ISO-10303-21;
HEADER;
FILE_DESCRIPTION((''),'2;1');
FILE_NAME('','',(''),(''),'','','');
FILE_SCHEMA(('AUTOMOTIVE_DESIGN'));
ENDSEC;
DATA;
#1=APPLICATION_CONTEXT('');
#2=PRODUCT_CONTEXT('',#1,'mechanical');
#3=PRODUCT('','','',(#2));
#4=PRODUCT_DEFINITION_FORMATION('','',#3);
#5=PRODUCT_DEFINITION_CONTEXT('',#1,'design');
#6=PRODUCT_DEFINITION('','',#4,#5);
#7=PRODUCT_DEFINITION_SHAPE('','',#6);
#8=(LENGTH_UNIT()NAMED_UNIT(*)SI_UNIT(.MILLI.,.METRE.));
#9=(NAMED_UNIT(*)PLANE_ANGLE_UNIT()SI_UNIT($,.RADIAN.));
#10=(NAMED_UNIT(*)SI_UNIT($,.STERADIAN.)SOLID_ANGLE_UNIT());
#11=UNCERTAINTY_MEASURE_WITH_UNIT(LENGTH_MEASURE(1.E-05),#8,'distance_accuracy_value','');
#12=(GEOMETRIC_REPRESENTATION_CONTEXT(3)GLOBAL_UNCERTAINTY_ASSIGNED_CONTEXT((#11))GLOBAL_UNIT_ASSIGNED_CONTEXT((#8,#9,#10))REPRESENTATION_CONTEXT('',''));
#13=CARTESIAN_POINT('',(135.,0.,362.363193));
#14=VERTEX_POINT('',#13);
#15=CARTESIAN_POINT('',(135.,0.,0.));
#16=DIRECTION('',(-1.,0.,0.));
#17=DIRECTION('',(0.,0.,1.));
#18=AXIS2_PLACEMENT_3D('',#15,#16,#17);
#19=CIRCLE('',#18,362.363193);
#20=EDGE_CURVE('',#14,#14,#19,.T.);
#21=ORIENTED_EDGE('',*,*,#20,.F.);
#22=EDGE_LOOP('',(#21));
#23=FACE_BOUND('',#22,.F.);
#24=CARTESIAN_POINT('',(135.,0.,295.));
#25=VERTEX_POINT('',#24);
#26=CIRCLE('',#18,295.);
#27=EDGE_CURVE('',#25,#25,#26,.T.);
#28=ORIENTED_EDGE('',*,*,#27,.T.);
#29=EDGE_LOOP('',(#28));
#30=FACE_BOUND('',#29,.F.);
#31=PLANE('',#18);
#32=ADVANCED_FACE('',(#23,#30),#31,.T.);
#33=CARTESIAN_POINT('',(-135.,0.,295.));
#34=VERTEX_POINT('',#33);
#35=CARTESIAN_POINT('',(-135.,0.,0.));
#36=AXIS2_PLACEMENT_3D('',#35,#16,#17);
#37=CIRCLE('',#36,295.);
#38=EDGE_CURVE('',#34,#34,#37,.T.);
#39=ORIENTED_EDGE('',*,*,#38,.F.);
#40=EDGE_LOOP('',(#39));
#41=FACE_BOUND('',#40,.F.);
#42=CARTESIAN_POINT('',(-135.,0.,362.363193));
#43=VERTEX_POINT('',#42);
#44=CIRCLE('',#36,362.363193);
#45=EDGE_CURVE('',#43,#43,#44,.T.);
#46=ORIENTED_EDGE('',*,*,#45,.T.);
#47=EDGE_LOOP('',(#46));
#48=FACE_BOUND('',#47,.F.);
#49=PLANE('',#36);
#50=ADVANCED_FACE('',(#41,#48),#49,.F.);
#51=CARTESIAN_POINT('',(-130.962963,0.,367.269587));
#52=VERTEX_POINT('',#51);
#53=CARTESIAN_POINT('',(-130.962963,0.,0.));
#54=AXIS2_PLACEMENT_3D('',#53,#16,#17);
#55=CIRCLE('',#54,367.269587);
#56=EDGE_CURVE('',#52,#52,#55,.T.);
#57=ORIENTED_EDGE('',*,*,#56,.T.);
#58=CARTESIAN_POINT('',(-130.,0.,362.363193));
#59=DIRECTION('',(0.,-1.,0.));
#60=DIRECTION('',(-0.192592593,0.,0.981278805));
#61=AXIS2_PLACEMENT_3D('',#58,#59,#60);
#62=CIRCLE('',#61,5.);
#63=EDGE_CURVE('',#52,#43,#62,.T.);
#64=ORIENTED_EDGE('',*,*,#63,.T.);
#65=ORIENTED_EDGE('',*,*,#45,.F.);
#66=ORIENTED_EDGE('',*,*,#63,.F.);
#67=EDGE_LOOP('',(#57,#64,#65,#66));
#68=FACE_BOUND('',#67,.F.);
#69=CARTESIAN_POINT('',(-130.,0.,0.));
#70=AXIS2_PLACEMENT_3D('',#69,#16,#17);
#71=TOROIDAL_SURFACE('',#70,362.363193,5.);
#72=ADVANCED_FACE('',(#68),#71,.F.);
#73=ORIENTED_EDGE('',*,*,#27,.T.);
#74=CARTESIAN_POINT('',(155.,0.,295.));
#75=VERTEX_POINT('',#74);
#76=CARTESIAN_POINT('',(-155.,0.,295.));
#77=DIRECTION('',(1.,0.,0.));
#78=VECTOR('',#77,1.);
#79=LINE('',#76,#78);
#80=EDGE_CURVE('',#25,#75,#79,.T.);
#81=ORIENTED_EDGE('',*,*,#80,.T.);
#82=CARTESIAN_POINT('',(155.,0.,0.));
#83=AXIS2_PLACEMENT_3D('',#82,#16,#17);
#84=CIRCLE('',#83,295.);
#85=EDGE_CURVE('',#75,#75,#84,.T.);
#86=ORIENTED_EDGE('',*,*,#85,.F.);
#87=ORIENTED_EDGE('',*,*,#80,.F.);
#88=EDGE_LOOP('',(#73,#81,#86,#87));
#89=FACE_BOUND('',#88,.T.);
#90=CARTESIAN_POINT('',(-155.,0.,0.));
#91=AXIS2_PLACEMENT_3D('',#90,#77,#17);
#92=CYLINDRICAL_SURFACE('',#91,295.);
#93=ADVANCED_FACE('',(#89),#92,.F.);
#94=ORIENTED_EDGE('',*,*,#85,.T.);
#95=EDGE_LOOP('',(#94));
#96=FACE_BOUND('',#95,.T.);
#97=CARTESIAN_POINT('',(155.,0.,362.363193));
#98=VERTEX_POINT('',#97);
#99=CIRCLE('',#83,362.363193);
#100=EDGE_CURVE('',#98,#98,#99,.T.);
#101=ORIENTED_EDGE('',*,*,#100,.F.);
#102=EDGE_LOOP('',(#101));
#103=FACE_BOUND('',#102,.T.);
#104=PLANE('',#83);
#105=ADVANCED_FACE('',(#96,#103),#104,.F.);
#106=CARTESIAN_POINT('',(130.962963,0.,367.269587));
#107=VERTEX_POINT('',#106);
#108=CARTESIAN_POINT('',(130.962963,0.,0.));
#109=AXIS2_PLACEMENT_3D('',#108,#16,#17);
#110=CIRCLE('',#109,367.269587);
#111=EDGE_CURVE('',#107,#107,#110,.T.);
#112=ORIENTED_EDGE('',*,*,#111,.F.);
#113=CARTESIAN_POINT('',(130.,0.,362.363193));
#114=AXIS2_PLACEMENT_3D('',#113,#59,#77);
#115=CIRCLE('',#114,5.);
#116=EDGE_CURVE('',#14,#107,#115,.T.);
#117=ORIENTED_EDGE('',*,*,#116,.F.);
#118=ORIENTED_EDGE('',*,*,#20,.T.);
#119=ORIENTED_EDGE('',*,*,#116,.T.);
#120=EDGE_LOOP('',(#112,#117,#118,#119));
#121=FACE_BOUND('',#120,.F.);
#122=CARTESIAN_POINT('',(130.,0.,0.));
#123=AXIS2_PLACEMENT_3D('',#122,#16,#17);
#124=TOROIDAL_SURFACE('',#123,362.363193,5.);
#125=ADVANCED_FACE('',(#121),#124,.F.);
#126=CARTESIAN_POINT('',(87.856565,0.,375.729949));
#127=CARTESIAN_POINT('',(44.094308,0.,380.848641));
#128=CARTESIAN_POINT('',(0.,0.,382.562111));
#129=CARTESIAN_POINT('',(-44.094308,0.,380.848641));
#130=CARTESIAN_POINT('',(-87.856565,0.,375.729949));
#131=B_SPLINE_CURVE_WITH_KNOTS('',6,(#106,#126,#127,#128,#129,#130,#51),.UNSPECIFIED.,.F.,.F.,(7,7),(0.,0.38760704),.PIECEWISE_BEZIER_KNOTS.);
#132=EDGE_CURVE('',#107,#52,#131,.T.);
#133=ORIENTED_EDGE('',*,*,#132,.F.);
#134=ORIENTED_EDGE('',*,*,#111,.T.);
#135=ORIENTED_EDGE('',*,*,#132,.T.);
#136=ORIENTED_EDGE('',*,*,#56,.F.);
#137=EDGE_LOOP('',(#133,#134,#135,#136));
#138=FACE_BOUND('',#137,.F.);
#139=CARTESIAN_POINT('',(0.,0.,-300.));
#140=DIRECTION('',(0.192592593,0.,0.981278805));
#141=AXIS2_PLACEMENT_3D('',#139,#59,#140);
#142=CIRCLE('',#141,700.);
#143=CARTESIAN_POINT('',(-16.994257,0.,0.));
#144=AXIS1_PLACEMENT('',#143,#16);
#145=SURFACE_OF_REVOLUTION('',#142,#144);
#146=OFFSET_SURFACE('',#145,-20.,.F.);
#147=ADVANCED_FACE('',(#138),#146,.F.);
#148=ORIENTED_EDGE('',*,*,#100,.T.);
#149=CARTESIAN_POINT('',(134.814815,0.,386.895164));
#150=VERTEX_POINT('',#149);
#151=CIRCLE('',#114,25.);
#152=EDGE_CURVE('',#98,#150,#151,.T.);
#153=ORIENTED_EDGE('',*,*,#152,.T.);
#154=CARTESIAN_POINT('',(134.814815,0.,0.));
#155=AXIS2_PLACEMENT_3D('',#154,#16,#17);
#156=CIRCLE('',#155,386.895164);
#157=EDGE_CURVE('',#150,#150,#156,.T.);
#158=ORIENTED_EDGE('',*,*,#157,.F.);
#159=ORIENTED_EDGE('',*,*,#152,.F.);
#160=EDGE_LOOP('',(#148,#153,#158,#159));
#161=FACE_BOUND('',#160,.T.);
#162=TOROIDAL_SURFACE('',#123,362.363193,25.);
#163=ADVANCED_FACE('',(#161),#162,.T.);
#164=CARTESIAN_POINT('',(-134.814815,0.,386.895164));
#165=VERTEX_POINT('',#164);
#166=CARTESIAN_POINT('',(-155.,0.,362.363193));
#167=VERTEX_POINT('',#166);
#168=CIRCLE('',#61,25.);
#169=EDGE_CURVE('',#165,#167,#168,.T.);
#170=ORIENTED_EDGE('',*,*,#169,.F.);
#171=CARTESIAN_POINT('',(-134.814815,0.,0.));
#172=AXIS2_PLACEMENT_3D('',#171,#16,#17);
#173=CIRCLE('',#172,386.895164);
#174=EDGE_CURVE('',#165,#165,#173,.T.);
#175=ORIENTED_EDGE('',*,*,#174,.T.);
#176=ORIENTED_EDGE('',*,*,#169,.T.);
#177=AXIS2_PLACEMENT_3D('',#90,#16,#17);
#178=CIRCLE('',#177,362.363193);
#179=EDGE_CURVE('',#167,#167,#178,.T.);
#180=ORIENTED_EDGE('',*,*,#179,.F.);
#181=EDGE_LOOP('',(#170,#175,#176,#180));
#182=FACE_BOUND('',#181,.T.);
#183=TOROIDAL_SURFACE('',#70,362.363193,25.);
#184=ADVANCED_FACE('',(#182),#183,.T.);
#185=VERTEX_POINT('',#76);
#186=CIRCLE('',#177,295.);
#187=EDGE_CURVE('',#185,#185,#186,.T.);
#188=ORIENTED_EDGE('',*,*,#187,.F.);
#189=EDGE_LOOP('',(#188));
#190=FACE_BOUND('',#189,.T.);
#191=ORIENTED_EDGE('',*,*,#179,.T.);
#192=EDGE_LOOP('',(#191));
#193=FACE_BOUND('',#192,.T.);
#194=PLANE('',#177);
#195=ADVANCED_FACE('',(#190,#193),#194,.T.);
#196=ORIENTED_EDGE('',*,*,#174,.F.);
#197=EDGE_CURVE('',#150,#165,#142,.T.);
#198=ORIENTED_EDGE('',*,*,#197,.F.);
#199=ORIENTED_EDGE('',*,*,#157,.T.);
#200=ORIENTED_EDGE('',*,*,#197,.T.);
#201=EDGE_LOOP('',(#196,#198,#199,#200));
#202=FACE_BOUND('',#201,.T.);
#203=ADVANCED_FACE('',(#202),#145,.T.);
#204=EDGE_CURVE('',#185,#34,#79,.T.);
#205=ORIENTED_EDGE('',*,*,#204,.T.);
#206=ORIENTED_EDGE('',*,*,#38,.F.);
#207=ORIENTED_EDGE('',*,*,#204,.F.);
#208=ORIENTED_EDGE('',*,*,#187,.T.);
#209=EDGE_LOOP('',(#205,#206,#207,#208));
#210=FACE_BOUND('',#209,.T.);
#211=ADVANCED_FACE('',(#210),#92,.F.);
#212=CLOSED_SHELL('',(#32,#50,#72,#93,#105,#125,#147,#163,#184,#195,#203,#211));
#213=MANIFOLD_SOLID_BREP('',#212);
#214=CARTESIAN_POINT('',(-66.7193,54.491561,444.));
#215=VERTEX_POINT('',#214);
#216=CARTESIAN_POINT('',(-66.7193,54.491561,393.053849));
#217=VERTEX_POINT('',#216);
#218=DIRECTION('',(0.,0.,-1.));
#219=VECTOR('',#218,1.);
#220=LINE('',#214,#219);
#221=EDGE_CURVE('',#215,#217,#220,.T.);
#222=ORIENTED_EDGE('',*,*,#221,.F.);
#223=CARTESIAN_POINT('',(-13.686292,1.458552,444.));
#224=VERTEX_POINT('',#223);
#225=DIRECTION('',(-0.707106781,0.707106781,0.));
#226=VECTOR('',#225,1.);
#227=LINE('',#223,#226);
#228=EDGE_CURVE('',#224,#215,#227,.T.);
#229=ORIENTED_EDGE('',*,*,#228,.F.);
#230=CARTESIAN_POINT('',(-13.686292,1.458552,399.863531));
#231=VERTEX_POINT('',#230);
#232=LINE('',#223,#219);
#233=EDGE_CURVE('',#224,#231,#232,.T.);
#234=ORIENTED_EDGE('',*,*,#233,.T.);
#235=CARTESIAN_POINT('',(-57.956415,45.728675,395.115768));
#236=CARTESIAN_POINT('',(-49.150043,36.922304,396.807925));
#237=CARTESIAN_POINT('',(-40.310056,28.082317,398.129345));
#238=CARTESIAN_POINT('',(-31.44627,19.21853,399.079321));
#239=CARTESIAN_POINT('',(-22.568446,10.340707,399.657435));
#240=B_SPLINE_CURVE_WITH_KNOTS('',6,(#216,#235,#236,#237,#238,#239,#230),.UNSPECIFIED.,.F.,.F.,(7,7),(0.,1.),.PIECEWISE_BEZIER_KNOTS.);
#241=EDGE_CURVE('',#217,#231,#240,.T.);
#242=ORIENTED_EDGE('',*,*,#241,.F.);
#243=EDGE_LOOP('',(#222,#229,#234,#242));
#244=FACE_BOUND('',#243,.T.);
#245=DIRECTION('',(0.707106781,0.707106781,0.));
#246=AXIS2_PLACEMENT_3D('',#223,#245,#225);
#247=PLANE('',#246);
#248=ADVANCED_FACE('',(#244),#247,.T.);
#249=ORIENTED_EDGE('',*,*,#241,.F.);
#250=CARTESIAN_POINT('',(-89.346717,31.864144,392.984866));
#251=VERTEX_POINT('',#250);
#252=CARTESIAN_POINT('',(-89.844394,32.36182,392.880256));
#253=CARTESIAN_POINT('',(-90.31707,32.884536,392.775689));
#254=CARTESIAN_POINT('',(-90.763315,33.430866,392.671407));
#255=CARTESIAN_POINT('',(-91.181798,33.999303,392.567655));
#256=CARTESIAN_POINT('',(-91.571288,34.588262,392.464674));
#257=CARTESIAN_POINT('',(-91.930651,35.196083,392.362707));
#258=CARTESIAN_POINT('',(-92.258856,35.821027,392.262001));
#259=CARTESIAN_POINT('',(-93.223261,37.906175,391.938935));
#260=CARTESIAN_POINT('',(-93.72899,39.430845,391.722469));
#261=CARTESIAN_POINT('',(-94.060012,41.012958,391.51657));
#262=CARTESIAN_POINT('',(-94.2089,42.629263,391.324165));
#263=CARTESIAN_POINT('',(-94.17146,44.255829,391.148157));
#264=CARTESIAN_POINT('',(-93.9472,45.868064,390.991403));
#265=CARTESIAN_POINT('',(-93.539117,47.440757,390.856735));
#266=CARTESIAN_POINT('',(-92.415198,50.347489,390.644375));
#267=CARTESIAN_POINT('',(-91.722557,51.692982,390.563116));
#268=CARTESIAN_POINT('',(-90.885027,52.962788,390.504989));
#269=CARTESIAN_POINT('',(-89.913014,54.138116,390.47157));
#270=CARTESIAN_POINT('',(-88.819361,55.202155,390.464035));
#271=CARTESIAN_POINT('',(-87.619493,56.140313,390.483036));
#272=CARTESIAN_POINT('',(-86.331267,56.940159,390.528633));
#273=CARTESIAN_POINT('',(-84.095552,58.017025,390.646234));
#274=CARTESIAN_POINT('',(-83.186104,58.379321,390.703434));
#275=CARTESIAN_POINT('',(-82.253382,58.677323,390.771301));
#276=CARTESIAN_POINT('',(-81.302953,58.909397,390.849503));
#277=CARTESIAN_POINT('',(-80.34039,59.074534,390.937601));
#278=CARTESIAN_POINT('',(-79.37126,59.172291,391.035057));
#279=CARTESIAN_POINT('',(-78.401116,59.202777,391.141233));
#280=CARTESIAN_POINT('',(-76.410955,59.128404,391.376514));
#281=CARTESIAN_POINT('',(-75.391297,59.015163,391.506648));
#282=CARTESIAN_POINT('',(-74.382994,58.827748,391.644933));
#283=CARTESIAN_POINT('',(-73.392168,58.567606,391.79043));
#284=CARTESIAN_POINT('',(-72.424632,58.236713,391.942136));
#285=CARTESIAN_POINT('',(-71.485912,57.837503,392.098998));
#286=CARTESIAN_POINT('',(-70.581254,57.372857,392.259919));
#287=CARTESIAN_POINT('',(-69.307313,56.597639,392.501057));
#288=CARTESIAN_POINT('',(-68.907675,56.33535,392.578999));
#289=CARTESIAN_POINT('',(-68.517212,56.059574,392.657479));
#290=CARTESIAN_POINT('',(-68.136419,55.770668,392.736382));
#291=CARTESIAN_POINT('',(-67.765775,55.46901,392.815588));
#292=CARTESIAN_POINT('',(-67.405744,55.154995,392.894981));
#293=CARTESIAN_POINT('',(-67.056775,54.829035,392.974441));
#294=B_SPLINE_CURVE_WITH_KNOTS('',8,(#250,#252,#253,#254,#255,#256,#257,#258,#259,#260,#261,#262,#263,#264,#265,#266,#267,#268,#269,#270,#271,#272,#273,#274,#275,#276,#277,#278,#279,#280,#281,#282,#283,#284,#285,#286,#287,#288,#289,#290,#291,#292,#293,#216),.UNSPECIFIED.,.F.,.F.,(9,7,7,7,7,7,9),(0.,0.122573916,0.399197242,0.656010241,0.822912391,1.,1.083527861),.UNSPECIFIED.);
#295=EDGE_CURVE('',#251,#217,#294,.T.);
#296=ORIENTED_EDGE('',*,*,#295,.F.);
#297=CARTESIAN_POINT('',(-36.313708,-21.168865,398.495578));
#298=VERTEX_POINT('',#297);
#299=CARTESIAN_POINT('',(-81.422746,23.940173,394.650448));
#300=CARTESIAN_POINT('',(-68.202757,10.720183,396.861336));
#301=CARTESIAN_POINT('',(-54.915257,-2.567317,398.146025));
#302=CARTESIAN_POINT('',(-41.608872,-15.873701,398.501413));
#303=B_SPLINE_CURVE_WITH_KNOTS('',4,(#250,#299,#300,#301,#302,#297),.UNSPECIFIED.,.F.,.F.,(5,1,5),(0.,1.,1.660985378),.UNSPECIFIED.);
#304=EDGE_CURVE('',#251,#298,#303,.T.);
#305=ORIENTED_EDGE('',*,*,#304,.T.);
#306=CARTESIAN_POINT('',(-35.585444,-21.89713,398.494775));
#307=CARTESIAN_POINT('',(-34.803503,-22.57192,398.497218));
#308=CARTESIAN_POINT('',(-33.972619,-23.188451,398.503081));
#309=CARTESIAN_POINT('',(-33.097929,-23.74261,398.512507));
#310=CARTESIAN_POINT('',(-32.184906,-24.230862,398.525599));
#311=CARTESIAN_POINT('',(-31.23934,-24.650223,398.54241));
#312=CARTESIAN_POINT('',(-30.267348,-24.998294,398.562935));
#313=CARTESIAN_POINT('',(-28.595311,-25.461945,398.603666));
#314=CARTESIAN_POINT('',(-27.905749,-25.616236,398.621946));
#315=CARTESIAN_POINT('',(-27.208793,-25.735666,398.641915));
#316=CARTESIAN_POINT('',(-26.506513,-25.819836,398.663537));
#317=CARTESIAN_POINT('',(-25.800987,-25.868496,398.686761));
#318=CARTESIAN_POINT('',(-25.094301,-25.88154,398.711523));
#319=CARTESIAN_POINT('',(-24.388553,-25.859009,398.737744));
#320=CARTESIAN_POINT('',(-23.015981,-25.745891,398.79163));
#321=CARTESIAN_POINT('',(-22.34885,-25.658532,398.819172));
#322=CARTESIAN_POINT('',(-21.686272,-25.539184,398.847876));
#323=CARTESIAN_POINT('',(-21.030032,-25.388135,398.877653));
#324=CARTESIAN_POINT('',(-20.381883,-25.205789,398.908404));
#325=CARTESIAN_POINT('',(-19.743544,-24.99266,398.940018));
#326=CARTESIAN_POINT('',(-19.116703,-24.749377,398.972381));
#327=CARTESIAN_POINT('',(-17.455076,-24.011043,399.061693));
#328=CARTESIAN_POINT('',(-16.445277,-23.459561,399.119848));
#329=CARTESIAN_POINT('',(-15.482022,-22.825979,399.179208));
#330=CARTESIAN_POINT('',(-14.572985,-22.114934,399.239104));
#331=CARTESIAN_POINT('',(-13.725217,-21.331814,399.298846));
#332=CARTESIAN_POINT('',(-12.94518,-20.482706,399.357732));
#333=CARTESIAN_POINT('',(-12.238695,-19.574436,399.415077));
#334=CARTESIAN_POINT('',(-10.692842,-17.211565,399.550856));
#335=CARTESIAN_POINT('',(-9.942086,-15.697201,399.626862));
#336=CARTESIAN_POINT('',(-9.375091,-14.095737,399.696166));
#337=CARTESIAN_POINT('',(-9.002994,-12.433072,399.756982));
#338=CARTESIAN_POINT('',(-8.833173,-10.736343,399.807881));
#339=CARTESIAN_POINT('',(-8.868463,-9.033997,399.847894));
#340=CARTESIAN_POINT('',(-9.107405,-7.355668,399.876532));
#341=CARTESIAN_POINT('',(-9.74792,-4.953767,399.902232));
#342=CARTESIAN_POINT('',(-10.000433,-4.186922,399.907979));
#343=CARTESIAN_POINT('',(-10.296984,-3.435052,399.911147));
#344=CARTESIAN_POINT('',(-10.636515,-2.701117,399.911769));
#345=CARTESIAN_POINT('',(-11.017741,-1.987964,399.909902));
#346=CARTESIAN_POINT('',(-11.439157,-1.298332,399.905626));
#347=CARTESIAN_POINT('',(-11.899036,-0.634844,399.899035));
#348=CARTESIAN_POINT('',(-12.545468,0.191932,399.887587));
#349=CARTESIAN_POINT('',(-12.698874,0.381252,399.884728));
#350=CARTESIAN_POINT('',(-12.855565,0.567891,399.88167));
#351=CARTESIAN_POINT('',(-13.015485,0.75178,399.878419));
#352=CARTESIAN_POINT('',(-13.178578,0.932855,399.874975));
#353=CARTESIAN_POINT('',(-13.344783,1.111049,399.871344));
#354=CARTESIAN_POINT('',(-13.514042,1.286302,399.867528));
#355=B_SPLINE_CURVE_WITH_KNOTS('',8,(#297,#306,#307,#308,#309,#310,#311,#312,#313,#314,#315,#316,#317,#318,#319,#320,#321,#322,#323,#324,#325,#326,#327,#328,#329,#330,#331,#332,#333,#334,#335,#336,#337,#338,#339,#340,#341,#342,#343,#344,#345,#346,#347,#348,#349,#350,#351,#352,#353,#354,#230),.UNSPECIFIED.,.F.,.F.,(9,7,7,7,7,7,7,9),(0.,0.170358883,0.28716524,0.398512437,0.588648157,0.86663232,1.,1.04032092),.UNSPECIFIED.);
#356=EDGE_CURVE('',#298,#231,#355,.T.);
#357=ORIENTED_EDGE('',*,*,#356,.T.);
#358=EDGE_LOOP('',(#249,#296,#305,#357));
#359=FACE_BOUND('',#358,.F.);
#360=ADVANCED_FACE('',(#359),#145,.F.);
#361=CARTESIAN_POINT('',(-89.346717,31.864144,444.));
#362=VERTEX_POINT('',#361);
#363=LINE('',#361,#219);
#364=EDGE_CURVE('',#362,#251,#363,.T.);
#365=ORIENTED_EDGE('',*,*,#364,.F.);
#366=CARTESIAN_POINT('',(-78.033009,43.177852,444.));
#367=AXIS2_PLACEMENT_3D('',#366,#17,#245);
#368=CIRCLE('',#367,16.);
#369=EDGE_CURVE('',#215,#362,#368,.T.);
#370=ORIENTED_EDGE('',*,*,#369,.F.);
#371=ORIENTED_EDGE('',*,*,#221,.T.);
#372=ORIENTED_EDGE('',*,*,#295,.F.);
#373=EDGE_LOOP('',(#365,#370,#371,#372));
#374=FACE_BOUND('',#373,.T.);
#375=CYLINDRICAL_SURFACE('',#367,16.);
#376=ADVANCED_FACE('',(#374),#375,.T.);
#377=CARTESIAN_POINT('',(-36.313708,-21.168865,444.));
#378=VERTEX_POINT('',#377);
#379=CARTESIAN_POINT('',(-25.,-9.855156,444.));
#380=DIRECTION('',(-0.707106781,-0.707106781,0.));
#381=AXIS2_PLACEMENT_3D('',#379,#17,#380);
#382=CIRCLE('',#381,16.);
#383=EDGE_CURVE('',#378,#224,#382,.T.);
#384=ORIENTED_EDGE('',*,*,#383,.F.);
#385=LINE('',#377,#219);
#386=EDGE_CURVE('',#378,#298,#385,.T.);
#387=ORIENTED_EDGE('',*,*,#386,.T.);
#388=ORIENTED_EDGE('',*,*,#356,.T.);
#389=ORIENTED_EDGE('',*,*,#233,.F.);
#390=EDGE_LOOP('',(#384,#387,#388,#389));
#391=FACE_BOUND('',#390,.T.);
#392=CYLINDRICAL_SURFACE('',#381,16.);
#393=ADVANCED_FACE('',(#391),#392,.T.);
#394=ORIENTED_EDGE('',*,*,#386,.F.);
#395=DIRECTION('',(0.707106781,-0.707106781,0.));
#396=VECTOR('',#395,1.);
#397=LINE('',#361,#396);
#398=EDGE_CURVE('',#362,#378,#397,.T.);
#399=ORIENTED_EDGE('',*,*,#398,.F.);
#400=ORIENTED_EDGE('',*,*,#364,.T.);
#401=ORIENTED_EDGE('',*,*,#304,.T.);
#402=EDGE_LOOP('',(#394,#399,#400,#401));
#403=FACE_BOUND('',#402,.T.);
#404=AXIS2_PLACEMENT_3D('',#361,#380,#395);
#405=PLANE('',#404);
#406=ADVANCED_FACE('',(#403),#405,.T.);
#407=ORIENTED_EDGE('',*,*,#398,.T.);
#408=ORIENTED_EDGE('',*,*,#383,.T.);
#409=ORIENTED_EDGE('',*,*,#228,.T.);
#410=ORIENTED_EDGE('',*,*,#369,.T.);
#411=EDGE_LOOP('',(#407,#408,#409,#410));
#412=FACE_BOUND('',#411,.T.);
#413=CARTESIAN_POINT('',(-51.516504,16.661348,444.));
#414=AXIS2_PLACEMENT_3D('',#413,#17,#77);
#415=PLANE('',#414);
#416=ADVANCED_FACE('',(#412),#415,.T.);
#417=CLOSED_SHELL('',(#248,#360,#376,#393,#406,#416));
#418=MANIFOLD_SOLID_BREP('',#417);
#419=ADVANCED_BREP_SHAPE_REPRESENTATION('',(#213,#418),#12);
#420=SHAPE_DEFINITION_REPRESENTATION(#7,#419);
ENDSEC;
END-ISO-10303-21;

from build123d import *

# Parameters (mm, degrees)
F2_T = -20


with BuildPart() as f1:
    # F0 (on Front) → F1 (revolve)
    with BuildSketch(Plane.XZ):
        with BuildLine():
            Line((-155, 295), (155, 295))
            Line((155, 295), (155, 362.3631934219))
            ThreePointArc((155, 362.3631934219), (149.3050559488, 378.247613928), (134.8148148148, 386.8951635486))
            ThreePointArc((134.8148148148, 386.8951635486), (0, 400), (-134.8148148148, 386.8951635486))
            ThreePointArc((-134.8148148148, 386.8951635486), (-149.3050559488, 378.247613928), (-155, 362.3631934219))
            Line((-155, 362.3631934219), (-155, 295))
        make_face()
    revolve(axis=Axis((-16.9942565262, 0, 0), (-1, 0, 0)))

    # F2
    f2_openings = [f1.faces().sort_by_distance(p)[0] for p in [
        (0, 0, -295),
    ]]
    offset(amount=F2_T, openings=f2_openings)


with BuildPart() as f5:
    # F4 (on offset) → F5 (new body, up to the next surface of F1)
    with BuildSketch(Plane.XY.offset(444)):
        with BuildLine():
            Line((-89.346717088, 31.8641435977), (-36.313708499, -21.1688649913))
            ThreePointArc((-36.313708499, -21.1688649913), (-13.686291501, -21.1688649913), (-13.686291501, 1.4585520066))
            Line((-13.686291501, 1.4585520066), (-66.71930009, 54.4915605956))
            ThreePointArc((-66.71930009, 54.4915605956), (-89.346717088, 54.4915605956), (-89.346717088, 31.8641435977))
        make_face()
    extrude(until=Until.NEXT, target=f1.part, dir=(0, 0, -1))


solid = Compound([f1.part, f5.part])
